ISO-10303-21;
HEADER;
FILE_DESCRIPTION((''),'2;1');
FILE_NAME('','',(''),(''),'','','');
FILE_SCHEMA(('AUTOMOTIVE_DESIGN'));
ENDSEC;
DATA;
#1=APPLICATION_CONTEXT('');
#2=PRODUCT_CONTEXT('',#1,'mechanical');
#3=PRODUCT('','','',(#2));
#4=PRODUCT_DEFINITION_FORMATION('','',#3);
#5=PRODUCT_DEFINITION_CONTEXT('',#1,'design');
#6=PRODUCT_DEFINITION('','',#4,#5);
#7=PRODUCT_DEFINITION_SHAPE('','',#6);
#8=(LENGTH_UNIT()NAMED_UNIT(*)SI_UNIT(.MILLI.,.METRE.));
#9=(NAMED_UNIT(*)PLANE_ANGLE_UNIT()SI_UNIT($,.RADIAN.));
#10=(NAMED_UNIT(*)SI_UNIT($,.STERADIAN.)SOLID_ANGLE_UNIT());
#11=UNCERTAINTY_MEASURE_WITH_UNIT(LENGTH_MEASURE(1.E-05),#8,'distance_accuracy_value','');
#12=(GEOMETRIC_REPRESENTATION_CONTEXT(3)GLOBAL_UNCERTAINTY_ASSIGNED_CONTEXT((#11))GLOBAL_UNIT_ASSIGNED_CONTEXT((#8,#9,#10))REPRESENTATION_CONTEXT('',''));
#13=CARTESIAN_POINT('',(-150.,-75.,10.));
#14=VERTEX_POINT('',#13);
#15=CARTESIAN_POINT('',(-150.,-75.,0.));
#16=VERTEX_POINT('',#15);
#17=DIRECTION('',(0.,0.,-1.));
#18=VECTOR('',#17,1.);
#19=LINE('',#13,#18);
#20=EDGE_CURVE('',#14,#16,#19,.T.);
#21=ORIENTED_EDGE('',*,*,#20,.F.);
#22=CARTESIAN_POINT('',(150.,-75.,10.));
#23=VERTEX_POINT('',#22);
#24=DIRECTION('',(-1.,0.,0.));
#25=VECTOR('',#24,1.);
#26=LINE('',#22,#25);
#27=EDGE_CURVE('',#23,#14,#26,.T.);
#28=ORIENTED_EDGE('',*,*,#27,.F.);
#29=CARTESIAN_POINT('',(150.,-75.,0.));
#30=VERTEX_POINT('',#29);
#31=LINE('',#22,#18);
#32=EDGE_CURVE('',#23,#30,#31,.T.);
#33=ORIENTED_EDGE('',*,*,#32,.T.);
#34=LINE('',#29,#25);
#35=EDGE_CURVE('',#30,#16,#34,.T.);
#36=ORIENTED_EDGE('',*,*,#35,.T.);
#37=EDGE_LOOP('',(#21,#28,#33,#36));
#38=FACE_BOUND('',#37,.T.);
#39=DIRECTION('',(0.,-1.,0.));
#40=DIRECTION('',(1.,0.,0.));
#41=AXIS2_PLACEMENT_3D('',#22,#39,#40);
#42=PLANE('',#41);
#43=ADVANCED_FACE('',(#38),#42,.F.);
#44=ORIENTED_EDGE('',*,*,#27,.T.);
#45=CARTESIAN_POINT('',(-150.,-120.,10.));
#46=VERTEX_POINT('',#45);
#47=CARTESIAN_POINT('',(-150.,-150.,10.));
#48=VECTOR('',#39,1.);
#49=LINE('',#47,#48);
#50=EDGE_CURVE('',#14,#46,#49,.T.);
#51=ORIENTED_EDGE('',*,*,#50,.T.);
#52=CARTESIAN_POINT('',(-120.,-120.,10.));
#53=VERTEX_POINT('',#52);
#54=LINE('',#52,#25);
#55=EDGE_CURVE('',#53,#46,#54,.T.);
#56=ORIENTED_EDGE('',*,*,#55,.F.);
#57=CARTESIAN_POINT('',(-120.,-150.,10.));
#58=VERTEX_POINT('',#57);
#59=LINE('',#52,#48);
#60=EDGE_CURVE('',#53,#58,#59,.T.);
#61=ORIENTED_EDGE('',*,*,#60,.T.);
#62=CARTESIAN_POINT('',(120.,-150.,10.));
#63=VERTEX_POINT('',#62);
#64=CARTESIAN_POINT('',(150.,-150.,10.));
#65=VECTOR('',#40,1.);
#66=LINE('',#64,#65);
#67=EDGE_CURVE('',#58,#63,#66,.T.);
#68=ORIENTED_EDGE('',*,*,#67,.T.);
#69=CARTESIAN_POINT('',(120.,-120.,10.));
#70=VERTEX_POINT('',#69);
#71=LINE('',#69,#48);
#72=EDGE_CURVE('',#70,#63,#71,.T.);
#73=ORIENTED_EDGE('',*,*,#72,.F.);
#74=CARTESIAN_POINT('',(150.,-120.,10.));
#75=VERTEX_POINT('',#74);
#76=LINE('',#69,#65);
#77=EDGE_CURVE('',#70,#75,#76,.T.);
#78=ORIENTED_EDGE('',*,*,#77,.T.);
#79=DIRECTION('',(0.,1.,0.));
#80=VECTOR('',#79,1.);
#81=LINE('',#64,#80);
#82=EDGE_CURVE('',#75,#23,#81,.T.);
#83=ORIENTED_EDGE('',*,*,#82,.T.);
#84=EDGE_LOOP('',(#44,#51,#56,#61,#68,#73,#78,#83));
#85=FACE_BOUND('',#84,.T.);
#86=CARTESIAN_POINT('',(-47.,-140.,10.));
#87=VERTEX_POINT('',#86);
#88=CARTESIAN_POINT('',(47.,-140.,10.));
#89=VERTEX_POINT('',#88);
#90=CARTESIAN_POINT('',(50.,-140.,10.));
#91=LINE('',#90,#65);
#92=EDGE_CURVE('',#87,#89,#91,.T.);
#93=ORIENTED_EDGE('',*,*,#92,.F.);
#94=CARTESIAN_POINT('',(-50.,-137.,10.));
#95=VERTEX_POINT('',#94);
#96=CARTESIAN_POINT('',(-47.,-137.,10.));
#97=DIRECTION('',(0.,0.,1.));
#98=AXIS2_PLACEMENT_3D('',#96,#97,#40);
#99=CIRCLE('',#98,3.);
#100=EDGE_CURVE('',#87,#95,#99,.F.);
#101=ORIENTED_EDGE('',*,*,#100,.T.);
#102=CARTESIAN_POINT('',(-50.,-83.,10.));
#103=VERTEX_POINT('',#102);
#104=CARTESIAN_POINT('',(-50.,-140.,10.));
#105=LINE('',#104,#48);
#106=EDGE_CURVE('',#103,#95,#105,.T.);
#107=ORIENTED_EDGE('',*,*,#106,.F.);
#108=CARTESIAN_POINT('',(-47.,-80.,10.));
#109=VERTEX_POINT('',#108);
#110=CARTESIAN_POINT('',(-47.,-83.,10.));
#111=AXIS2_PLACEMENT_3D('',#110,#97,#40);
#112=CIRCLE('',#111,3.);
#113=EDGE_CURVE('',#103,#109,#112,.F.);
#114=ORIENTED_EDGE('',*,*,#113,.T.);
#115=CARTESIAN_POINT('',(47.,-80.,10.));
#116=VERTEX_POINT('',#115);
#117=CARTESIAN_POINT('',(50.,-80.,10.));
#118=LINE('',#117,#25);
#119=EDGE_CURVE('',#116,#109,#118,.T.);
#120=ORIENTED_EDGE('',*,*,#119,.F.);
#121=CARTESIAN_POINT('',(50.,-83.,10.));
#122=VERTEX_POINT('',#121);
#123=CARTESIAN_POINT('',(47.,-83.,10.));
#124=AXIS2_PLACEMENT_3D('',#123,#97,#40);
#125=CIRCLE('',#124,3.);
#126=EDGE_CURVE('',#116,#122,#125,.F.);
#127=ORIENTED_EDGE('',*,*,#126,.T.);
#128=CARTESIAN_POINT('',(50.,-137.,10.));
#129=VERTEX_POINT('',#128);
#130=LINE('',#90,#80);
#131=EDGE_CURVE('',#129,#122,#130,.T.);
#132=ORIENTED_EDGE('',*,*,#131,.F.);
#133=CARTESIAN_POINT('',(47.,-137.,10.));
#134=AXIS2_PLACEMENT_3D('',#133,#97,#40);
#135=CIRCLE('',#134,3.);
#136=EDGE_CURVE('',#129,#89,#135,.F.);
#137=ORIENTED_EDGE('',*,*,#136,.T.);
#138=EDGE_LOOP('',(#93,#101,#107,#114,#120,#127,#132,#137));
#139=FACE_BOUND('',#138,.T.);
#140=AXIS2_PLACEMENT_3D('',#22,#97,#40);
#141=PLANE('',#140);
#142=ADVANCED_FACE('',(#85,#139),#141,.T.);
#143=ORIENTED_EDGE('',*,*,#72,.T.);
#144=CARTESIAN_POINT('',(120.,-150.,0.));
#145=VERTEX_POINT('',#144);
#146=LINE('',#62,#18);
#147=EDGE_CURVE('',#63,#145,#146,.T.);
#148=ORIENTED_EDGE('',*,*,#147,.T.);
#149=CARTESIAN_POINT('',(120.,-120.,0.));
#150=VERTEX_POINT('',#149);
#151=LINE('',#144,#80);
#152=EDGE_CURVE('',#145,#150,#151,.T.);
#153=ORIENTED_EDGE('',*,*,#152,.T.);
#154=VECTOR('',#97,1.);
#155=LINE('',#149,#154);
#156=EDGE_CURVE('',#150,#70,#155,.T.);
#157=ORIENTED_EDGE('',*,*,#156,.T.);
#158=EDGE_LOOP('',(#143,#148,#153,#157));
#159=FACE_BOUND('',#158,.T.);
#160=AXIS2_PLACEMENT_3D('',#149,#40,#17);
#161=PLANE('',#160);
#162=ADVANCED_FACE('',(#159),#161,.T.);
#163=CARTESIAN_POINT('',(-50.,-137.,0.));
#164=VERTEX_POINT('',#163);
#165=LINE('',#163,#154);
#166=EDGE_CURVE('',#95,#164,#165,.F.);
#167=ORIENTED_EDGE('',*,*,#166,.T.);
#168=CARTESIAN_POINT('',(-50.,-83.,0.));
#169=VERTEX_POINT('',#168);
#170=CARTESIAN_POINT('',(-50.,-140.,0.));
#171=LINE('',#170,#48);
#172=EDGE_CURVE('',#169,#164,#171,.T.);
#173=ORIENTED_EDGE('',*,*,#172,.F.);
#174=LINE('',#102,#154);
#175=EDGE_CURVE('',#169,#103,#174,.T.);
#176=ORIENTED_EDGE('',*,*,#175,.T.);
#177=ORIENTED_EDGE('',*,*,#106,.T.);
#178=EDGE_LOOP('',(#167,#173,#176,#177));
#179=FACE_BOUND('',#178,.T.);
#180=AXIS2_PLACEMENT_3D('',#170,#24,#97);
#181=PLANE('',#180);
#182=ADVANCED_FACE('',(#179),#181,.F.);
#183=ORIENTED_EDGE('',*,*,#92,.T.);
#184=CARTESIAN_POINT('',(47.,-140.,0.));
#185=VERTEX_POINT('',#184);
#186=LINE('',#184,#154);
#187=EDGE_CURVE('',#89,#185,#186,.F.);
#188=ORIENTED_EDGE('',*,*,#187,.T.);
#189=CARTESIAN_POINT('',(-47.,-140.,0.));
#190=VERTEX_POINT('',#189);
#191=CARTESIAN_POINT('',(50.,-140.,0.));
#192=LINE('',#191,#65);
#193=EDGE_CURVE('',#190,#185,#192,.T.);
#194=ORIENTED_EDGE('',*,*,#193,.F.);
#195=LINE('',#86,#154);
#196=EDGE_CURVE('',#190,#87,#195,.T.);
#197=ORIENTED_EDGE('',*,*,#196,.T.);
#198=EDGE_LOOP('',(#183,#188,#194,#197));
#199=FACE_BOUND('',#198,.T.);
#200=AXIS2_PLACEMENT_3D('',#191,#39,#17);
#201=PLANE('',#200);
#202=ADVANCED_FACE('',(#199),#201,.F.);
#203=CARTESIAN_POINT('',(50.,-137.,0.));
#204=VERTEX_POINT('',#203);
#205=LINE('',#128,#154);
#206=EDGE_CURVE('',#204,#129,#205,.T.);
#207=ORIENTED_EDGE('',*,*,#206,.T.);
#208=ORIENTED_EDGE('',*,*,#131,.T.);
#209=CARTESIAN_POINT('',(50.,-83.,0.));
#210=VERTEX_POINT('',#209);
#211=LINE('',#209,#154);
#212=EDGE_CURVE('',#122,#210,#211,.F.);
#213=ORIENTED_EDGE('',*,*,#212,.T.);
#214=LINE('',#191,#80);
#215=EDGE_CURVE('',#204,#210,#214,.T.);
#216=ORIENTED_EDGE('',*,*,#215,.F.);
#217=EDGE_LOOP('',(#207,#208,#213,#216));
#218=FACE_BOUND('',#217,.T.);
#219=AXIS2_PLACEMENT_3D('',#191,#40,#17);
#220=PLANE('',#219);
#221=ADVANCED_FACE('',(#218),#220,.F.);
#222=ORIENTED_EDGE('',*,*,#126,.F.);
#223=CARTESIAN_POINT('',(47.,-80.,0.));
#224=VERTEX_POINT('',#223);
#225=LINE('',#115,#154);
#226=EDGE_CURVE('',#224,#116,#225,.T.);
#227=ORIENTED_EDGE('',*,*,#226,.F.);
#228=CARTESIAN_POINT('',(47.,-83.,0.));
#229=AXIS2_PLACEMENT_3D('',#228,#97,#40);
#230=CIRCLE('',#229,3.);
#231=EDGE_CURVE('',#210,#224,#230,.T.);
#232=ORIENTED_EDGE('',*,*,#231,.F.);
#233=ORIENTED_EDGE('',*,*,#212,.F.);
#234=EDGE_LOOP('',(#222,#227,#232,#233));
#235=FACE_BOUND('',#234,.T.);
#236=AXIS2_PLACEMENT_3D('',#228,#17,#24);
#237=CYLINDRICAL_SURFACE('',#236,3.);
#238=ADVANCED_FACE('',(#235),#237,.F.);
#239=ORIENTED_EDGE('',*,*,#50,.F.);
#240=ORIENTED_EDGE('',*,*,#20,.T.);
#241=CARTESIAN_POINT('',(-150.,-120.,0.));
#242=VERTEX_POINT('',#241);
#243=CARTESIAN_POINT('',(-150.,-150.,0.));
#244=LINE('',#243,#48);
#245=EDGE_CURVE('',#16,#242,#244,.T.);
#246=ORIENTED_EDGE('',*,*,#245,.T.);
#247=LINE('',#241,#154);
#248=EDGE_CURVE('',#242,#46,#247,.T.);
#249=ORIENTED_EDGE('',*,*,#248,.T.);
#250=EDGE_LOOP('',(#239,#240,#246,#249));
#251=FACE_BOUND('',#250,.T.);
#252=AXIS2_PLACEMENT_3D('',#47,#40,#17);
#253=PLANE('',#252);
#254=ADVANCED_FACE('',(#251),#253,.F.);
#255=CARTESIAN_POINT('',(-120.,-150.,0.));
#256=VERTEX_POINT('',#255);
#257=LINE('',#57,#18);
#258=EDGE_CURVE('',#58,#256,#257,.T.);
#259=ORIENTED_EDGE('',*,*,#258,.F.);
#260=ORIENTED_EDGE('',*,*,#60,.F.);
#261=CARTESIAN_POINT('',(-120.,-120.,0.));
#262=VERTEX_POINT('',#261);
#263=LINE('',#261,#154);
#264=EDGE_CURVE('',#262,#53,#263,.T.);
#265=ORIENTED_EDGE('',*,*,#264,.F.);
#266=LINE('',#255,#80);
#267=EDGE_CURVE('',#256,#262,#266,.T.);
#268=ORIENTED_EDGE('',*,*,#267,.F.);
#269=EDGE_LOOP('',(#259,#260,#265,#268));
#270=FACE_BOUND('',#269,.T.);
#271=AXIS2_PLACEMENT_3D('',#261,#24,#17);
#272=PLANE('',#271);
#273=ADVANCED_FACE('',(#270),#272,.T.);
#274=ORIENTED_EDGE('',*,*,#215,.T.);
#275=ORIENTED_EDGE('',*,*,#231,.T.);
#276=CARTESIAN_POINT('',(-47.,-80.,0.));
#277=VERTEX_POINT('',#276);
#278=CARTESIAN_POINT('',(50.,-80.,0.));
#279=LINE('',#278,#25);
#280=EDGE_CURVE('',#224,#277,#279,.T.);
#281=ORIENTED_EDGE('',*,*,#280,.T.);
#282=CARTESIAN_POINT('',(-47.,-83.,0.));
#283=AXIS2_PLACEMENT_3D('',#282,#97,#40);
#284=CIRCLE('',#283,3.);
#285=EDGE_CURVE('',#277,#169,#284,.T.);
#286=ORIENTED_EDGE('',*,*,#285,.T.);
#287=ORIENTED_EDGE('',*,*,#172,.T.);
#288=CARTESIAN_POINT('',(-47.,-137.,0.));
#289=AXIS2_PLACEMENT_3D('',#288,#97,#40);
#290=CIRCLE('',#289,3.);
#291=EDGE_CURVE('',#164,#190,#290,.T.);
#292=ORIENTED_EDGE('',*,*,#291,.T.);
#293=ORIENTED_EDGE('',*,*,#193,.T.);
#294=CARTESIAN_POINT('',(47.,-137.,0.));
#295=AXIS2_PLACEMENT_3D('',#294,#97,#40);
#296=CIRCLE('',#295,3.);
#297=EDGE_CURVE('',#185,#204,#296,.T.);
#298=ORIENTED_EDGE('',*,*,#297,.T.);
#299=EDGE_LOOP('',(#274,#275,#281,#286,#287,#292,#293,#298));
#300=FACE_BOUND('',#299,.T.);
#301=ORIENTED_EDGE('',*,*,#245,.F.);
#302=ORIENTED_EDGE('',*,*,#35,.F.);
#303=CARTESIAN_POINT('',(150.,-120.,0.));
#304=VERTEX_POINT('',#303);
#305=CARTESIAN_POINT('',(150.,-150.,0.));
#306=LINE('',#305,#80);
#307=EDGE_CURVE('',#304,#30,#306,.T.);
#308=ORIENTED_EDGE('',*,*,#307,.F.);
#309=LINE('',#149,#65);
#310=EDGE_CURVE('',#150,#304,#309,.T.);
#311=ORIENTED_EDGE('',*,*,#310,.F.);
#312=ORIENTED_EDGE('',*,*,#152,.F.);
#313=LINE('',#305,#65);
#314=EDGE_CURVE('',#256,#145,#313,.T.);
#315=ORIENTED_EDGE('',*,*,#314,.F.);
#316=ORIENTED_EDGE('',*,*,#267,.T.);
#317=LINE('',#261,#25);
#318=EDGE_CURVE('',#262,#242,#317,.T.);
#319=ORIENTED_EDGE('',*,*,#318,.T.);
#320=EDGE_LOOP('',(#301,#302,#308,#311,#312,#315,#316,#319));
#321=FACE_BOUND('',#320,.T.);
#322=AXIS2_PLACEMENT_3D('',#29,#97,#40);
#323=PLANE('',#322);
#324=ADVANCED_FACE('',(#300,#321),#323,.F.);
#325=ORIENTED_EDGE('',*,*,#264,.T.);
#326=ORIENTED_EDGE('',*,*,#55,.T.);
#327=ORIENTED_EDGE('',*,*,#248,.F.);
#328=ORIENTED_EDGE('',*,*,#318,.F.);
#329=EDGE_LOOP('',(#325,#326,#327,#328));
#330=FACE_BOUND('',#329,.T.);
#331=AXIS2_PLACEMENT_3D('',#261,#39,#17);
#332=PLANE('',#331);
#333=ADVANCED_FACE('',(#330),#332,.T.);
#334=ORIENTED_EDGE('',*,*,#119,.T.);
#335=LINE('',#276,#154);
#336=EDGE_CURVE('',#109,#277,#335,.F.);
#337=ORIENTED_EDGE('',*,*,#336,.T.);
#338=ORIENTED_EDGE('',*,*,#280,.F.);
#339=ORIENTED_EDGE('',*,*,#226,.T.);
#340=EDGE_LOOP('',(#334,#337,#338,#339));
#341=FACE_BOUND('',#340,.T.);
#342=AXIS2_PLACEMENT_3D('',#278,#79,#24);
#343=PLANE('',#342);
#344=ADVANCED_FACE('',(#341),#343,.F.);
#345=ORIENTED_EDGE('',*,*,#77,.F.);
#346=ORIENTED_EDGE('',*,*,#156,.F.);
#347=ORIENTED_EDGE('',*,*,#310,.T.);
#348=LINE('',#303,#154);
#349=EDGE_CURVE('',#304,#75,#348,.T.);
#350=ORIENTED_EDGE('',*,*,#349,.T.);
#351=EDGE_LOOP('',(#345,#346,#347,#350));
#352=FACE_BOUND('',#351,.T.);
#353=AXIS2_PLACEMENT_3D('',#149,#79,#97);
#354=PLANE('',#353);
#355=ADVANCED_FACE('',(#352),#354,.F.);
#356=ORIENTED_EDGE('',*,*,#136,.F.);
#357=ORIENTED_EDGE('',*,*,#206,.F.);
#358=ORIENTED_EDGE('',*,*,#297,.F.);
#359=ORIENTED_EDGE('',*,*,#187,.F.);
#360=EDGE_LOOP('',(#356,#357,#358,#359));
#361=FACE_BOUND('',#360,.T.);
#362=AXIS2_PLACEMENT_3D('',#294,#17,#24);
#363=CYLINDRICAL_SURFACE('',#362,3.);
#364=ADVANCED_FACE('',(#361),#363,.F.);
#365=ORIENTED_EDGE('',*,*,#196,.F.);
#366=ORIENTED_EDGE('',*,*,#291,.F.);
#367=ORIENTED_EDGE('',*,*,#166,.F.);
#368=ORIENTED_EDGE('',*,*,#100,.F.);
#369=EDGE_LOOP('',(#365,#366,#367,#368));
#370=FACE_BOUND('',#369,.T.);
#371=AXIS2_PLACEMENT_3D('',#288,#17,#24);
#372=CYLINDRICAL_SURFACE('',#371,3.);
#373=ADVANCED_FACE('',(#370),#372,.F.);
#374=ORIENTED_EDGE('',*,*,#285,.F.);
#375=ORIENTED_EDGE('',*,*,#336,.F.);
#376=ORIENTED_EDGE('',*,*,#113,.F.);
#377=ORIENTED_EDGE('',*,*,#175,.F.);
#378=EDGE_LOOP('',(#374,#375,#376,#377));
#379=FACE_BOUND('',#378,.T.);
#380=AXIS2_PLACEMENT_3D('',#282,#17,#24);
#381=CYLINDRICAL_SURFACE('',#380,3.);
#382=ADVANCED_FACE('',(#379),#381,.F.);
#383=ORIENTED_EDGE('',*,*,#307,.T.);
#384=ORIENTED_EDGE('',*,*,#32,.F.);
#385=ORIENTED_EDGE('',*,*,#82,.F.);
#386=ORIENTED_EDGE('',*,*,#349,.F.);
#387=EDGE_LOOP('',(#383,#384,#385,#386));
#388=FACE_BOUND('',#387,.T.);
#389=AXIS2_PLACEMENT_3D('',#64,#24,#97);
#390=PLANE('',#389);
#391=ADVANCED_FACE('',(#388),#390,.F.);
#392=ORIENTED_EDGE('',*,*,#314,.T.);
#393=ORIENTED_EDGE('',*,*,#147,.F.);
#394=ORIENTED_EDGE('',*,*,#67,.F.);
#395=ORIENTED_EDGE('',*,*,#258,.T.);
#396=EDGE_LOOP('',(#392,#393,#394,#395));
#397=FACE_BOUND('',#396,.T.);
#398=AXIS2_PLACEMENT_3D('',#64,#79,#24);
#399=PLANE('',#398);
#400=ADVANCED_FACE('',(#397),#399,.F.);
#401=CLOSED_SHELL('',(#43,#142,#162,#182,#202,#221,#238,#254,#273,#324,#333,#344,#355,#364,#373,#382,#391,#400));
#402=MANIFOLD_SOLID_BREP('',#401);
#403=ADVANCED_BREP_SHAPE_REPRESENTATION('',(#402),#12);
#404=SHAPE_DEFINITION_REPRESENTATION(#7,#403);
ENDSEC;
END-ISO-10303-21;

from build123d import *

# Parameters (mm, degrees)
SKIZZE1_W                       = 300
SKIZZE1_H                       = 75
LINEAR_AUSTRAGEN1_DEPTH         = 10
SKIZZE2_W                       = 100
SKIZZE2_H                       = 60
SCHNITT_LINEAR_AUSTRAGEN1_DEPTH = 10
VERRUNDUNG1_R                   = 3
SKIZZE4_W                       = 10
SKIZZE4_H                       = 30
SCHNITT_LINEAR_AUSTRAGEN2_DEPTH = 30


with BuildPart() as part:
    # Skizze1 → Linear austragen1 (new body)
    with BuildSketch(Plane.XY):
        with Locations((0, -112.5)):
            Rectangle(SKIZZE1_W, SKIZZE1_H)
    extrude(amount=LINEAR_AUSTRAGEN1_DEPTH)

    # Skizze2 → Schnitt-Linear austragen1 (cut)
    with BuildSketch(Plane.XY.offset(10)):
        with Locations((0, -110)):
            Rectangle(SKIZZE2_W, SKIZZE2_H)
    extrude(amount=-SCHNITT_LINEAR_AUSTRAGEN1_DEPTH, mode=Mode.SUBTRACT)

    # Verrundung1
    verrundung1_edges = [part.edges().sort_by_distance(p)[0] for p in [
        (50, -80, 5),
        (50, -140, 5),
        (-50, -140, 5),
        (-50, -80, 5),
    ]]
    fillet(verrundung1_edges, radius=VERRUNDUNG1_R)

    # Skizze4 → Schnitt-Linear austragen2 (cut)
    with BuildSketch(Plane(origin=(150, 0, 0), x_dir=(0, 0, -1), z_dir=(1, 0, 0))):
        with Locations((-5, -135)):
            Rectangle(SKIZZE4_W, SKIZZE4_H)
    schnitt_linear_austragen2 = extrude(amount=-SCHNITT_LINEAR_AUSTRAGEN2_DEPTH, mode=Mode.SUBTRACT)

    # Spiegeln1: Schnitt-Linear austragen2 across plane
    add(schnitt_linear_austragen2.mirror(Plane(origin=(0, 0, 0), x_dir=(0, 0, 1), z_dir=(1, 0, 0))), mode=Mode.SUBTRACT)


solid = part.part
